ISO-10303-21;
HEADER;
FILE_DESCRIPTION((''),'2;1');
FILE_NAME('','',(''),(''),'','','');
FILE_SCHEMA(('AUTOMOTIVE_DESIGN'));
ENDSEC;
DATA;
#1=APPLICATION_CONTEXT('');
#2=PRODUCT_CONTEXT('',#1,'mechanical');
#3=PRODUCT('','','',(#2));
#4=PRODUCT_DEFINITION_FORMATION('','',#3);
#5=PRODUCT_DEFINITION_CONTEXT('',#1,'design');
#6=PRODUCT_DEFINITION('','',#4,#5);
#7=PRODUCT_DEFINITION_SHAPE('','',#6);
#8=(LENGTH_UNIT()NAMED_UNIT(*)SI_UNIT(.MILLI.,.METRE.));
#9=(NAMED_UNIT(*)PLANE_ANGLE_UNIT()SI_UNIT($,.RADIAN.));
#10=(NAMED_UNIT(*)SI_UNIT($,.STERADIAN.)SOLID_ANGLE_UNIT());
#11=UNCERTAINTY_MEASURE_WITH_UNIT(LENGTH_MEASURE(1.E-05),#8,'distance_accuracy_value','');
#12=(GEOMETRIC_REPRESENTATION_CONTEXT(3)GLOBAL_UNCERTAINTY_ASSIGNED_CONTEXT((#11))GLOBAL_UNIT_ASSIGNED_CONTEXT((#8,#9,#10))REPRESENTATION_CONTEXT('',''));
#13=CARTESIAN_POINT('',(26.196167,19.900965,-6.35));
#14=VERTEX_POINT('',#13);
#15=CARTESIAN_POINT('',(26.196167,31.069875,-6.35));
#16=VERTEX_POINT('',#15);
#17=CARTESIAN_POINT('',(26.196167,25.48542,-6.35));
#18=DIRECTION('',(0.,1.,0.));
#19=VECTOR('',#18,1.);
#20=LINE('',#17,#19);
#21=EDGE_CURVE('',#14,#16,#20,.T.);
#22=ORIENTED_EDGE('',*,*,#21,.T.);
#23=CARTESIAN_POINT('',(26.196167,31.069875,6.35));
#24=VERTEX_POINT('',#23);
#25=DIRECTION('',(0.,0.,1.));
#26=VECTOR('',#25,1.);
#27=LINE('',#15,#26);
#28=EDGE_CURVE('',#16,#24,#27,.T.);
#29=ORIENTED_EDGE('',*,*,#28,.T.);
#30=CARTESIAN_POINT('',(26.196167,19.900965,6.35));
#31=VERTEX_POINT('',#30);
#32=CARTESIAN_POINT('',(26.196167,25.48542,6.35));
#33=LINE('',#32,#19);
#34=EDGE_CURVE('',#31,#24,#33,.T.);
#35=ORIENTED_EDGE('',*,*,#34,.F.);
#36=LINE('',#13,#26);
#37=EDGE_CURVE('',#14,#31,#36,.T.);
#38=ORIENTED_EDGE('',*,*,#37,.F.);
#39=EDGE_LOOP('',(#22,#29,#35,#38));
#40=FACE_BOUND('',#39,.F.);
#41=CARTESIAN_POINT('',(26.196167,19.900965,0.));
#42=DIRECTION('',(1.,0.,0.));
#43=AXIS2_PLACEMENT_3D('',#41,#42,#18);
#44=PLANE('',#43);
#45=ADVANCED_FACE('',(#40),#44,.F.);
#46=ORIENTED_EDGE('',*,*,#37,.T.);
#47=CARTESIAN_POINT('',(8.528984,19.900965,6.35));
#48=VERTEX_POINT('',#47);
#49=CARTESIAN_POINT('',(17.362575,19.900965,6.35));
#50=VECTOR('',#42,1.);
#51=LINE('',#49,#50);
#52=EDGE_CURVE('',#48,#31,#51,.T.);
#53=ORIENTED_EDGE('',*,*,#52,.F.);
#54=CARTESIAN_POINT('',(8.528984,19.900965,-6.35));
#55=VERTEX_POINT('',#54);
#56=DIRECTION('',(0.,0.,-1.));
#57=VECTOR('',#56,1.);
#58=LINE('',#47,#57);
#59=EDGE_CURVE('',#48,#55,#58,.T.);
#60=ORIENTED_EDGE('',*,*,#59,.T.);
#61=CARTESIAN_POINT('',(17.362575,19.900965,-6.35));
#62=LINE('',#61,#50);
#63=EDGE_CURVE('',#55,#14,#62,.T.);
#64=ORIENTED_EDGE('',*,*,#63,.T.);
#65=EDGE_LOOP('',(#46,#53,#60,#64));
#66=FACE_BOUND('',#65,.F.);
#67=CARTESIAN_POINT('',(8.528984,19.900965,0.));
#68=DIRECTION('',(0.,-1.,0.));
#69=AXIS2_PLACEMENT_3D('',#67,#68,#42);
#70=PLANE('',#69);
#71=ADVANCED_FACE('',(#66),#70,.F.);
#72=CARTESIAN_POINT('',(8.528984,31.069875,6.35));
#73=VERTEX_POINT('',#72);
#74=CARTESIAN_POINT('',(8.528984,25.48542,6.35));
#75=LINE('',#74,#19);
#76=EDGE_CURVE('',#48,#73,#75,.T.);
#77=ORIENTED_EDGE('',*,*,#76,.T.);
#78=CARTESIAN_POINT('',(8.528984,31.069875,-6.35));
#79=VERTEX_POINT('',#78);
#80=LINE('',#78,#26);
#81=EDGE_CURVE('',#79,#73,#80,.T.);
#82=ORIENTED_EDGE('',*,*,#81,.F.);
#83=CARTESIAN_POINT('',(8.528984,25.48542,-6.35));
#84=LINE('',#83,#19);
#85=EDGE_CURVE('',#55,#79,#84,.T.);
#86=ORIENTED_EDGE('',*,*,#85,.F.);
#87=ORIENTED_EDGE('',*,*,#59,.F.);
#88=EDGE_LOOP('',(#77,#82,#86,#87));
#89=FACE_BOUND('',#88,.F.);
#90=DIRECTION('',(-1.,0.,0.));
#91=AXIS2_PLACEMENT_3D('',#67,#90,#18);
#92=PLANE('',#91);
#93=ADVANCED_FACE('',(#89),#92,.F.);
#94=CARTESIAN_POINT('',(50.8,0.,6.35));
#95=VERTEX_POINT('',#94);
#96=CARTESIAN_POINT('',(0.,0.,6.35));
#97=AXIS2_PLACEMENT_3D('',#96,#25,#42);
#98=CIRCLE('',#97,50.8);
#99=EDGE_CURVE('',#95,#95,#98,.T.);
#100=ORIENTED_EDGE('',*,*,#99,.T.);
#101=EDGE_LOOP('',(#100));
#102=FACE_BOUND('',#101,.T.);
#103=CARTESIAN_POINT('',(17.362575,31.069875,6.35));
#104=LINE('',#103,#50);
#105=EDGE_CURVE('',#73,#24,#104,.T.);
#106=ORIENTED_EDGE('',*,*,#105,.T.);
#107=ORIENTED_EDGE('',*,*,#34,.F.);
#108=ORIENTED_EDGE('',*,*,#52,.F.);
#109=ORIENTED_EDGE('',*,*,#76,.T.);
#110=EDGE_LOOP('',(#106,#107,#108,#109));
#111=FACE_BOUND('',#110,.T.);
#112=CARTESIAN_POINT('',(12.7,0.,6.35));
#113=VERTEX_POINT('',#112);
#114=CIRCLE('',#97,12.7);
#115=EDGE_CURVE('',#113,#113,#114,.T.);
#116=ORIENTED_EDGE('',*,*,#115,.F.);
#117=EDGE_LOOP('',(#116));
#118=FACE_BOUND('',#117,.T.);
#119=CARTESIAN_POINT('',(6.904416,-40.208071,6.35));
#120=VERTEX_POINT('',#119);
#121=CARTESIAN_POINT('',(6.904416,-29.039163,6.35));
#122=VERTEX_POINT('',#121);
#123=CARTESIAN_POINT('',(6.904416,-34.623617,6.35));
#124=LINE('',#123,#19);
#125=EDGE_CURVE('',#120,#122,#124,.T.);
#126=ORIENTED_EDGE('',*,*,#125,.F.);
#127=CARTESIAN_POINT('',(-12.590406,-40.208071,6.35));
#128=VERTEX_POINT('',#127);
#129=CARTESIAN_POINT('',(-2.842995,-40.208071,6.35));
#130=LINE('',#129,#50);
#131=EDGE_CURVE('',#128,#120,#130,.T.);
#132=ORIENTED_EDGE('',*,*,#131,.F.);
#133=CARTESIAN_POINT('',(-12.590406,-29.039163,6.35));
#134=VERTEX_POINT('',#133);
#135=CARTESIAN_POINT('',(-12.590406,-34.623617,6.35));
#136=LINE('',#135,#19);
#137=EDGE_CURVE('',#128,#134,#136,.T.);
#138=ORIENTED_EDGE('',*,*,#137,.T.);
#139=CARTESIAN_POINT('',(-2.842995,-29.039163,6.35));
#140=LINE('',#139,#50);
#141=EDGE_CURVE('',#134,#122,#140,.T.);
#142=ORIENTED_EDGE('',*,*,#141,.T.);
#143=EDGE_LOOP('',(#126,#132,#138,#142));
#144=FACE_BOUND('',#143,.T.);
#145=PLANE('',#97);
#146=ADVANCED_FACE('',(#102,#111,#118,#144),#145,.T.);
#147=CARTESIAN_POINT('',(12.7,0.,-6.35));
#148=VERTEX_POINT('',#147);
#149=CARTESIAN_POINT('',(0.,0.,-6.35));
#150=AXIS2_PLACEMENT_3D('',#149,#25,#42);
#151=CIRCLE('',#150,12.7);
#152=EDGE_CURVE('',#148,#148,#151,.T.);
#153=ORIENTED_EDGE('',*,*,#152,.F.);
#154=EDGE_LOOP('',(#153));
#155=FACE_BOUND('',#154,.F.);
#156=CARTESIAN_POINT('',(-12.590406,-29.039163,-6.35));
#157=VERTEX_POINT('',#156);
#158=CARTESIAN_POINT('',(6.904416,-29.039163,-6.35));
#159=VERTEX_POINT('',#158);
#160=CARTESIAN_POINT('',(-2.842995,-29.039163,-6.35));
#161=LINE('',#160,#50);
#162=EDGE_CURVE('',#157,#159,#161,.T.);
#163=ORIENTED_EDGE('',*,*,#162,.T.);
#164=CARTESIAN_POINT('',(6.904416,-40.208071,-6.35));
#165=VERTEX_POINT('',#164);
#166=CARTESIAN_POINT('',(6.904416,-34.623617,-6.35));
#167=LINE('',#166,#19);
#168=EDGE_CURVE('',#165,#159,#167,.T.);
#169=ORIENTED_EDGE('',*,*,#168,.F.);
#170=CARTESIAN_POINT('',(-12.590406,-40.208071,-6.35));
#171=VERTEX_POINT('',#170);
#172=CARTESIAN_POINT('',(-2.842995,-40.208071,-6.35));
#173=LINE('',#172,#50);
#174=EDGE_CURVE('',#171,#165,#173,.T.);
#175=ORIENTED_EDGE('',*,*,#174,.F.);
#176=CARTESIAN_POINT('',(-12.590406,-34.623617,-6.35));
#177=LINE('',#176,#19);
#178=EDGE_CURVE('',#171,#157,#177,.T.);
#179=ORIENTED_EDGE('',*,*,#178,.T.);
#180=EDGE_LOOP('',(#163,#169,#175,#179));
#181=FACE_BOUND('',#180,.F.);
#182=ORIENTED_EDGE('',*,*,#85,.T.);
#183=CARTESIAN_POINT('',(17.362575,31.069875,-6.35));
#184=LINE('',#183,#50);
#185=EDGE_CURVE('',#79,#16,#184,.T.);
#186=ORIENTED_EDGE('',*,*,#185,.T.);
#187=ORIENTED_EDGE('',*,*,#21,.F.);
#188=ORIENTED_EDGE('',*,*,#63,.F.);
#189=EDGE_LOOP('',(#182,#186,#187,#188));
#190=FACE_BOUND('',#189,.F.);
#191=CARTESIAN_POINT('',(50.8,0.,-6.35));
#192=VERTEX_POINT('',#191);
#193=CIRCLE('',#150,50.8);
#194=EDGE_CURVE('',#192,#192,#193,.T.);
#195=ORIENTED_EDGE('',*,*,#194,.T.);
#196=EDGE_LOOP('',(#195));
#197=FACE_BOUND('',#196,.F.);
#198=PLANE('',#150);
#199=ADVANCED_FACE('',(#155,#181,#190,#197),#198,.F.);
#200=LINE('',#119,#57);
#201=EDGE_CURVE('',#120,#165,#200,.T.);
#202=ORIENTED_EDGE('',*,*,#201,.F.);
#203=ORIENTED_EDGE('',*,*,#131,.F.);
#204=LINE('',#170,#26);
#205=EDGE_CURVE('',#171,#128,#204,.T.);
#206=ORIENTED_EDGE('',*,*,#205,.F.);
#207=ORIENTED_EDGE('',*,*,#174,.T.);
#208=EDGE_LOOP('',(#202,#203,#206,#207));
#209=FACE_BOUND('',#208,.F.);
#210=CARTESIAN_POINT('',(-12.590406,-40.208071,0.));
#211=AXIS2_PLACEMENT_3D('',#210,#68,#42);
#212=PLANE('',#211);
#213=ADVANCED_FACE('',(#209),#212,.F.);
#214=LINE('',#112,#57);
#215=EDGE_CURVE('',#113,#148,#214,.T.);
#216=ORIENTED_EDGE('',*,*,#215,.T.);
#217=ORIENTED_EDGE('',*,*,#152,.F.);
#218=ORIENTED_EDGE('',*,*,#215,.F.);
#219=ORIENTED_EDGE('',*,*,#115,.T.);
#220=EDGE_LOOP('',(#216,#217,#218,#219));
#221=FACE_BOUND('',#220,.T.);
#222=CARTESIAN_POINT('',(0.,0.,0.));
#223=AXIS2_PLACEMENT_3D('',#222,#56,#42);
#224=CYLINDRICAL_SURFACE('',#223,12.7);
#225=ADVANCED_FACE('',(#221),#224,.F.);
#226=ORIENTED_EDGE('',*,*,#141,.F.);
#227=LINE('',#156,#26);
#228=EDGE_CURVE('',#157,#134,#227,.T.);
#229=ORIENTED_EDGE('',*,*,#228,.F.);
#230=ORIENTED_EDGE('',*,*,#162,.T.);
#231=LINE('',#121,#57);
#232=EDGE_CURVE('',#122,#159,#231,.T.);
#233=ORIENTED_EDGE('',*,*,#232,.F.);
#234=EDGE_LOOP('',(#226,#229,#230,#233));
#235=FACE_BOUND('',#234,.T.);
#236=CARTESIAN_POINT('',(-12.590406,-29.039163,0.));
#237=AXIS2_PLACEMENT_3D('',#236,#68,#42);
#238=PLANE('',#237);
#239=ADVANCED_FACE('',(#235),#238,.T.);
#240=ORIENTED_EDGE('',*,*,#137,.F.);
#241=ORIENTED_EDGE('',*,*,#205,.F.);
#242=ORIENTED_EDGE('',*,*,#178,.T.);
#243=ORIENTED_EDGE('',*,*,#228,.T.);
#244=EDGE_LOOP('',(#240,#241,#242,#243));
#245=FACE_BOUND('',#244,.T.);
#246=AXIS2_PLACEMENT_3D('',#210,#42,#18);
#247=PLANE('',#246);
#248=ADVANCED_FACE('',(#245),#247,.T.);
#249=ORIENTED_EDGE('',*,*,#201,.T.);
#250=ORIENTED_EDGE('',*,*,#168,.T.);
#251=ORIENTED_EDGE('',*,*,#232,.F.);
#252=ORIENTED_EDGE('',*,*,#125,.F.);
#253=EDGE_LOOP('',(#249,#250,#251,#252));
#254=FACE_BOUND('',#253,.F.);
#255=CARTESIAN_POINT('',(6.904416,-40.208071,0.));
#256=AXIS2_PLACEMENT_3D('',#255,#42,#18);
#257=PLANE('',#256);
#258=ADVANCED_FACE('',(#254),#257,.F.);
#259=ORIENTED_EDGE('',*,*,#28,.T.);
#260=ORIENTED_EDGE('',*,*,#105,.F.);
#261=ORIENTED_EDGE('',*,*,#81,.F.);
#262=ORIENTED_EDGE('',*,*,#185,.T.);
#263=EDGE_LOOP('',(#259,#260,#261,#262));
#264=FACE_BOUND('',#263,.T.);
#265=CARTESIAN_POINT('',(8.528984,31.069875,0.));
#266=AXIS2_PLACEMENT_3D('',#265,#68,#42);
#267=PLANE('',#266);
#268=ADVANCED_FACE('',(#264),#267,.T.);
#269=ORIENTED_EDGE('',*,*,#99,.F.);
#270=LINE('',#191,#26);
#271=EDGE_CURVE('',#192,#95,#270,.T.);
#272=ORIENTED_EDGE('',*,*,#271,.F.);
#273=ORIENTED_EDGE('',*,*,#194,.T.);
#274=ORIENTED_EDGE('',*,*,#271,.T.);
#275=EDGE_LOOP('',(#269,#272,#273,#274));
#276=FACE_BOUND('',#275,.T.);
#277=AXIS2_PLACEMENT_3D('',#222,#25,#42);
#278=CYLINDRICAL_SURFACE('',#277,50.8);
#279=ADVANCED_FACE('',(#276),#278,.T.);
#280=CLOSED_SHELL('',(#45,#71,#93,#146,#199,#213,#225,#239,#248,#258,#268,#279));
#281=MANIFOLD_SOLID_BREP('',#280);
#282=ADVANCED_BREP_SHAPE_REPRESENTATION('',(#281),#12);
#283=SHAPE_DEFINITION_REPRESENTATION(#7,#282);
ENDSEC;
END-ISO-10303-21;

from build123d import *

# Parameters (mm, degrees)
F0_R     = 50.8
F0_W     = 19.494822
F0_H     = 11.168908
F0_R_2   = 12.7
F0_W_2   = 17.667183
F0_H_2   = 11.16891
F1_DEPTH = 6.35


with BuildPart() as f1:
    # F0 (on Top) → F1 (new body, symmetric)
    with BuildSketch(Plane.XY):
        Circle(F0_R)
        with Locations((-2.842995, -34.623617)):
            Rectangle(F0_W, F0_H, mode=Mode.SUBTRACT)
        Circle(F0_R_2, mode=Mode.SUBTRACT)
        with Locations((17.362575, 25.48542)):
            Rectangle(F0_W_2, F0_H_2, mode=Mode.SUBTRACT)
    extrude(amount=F1_DEPTH, both=True)


solid = f1.part
